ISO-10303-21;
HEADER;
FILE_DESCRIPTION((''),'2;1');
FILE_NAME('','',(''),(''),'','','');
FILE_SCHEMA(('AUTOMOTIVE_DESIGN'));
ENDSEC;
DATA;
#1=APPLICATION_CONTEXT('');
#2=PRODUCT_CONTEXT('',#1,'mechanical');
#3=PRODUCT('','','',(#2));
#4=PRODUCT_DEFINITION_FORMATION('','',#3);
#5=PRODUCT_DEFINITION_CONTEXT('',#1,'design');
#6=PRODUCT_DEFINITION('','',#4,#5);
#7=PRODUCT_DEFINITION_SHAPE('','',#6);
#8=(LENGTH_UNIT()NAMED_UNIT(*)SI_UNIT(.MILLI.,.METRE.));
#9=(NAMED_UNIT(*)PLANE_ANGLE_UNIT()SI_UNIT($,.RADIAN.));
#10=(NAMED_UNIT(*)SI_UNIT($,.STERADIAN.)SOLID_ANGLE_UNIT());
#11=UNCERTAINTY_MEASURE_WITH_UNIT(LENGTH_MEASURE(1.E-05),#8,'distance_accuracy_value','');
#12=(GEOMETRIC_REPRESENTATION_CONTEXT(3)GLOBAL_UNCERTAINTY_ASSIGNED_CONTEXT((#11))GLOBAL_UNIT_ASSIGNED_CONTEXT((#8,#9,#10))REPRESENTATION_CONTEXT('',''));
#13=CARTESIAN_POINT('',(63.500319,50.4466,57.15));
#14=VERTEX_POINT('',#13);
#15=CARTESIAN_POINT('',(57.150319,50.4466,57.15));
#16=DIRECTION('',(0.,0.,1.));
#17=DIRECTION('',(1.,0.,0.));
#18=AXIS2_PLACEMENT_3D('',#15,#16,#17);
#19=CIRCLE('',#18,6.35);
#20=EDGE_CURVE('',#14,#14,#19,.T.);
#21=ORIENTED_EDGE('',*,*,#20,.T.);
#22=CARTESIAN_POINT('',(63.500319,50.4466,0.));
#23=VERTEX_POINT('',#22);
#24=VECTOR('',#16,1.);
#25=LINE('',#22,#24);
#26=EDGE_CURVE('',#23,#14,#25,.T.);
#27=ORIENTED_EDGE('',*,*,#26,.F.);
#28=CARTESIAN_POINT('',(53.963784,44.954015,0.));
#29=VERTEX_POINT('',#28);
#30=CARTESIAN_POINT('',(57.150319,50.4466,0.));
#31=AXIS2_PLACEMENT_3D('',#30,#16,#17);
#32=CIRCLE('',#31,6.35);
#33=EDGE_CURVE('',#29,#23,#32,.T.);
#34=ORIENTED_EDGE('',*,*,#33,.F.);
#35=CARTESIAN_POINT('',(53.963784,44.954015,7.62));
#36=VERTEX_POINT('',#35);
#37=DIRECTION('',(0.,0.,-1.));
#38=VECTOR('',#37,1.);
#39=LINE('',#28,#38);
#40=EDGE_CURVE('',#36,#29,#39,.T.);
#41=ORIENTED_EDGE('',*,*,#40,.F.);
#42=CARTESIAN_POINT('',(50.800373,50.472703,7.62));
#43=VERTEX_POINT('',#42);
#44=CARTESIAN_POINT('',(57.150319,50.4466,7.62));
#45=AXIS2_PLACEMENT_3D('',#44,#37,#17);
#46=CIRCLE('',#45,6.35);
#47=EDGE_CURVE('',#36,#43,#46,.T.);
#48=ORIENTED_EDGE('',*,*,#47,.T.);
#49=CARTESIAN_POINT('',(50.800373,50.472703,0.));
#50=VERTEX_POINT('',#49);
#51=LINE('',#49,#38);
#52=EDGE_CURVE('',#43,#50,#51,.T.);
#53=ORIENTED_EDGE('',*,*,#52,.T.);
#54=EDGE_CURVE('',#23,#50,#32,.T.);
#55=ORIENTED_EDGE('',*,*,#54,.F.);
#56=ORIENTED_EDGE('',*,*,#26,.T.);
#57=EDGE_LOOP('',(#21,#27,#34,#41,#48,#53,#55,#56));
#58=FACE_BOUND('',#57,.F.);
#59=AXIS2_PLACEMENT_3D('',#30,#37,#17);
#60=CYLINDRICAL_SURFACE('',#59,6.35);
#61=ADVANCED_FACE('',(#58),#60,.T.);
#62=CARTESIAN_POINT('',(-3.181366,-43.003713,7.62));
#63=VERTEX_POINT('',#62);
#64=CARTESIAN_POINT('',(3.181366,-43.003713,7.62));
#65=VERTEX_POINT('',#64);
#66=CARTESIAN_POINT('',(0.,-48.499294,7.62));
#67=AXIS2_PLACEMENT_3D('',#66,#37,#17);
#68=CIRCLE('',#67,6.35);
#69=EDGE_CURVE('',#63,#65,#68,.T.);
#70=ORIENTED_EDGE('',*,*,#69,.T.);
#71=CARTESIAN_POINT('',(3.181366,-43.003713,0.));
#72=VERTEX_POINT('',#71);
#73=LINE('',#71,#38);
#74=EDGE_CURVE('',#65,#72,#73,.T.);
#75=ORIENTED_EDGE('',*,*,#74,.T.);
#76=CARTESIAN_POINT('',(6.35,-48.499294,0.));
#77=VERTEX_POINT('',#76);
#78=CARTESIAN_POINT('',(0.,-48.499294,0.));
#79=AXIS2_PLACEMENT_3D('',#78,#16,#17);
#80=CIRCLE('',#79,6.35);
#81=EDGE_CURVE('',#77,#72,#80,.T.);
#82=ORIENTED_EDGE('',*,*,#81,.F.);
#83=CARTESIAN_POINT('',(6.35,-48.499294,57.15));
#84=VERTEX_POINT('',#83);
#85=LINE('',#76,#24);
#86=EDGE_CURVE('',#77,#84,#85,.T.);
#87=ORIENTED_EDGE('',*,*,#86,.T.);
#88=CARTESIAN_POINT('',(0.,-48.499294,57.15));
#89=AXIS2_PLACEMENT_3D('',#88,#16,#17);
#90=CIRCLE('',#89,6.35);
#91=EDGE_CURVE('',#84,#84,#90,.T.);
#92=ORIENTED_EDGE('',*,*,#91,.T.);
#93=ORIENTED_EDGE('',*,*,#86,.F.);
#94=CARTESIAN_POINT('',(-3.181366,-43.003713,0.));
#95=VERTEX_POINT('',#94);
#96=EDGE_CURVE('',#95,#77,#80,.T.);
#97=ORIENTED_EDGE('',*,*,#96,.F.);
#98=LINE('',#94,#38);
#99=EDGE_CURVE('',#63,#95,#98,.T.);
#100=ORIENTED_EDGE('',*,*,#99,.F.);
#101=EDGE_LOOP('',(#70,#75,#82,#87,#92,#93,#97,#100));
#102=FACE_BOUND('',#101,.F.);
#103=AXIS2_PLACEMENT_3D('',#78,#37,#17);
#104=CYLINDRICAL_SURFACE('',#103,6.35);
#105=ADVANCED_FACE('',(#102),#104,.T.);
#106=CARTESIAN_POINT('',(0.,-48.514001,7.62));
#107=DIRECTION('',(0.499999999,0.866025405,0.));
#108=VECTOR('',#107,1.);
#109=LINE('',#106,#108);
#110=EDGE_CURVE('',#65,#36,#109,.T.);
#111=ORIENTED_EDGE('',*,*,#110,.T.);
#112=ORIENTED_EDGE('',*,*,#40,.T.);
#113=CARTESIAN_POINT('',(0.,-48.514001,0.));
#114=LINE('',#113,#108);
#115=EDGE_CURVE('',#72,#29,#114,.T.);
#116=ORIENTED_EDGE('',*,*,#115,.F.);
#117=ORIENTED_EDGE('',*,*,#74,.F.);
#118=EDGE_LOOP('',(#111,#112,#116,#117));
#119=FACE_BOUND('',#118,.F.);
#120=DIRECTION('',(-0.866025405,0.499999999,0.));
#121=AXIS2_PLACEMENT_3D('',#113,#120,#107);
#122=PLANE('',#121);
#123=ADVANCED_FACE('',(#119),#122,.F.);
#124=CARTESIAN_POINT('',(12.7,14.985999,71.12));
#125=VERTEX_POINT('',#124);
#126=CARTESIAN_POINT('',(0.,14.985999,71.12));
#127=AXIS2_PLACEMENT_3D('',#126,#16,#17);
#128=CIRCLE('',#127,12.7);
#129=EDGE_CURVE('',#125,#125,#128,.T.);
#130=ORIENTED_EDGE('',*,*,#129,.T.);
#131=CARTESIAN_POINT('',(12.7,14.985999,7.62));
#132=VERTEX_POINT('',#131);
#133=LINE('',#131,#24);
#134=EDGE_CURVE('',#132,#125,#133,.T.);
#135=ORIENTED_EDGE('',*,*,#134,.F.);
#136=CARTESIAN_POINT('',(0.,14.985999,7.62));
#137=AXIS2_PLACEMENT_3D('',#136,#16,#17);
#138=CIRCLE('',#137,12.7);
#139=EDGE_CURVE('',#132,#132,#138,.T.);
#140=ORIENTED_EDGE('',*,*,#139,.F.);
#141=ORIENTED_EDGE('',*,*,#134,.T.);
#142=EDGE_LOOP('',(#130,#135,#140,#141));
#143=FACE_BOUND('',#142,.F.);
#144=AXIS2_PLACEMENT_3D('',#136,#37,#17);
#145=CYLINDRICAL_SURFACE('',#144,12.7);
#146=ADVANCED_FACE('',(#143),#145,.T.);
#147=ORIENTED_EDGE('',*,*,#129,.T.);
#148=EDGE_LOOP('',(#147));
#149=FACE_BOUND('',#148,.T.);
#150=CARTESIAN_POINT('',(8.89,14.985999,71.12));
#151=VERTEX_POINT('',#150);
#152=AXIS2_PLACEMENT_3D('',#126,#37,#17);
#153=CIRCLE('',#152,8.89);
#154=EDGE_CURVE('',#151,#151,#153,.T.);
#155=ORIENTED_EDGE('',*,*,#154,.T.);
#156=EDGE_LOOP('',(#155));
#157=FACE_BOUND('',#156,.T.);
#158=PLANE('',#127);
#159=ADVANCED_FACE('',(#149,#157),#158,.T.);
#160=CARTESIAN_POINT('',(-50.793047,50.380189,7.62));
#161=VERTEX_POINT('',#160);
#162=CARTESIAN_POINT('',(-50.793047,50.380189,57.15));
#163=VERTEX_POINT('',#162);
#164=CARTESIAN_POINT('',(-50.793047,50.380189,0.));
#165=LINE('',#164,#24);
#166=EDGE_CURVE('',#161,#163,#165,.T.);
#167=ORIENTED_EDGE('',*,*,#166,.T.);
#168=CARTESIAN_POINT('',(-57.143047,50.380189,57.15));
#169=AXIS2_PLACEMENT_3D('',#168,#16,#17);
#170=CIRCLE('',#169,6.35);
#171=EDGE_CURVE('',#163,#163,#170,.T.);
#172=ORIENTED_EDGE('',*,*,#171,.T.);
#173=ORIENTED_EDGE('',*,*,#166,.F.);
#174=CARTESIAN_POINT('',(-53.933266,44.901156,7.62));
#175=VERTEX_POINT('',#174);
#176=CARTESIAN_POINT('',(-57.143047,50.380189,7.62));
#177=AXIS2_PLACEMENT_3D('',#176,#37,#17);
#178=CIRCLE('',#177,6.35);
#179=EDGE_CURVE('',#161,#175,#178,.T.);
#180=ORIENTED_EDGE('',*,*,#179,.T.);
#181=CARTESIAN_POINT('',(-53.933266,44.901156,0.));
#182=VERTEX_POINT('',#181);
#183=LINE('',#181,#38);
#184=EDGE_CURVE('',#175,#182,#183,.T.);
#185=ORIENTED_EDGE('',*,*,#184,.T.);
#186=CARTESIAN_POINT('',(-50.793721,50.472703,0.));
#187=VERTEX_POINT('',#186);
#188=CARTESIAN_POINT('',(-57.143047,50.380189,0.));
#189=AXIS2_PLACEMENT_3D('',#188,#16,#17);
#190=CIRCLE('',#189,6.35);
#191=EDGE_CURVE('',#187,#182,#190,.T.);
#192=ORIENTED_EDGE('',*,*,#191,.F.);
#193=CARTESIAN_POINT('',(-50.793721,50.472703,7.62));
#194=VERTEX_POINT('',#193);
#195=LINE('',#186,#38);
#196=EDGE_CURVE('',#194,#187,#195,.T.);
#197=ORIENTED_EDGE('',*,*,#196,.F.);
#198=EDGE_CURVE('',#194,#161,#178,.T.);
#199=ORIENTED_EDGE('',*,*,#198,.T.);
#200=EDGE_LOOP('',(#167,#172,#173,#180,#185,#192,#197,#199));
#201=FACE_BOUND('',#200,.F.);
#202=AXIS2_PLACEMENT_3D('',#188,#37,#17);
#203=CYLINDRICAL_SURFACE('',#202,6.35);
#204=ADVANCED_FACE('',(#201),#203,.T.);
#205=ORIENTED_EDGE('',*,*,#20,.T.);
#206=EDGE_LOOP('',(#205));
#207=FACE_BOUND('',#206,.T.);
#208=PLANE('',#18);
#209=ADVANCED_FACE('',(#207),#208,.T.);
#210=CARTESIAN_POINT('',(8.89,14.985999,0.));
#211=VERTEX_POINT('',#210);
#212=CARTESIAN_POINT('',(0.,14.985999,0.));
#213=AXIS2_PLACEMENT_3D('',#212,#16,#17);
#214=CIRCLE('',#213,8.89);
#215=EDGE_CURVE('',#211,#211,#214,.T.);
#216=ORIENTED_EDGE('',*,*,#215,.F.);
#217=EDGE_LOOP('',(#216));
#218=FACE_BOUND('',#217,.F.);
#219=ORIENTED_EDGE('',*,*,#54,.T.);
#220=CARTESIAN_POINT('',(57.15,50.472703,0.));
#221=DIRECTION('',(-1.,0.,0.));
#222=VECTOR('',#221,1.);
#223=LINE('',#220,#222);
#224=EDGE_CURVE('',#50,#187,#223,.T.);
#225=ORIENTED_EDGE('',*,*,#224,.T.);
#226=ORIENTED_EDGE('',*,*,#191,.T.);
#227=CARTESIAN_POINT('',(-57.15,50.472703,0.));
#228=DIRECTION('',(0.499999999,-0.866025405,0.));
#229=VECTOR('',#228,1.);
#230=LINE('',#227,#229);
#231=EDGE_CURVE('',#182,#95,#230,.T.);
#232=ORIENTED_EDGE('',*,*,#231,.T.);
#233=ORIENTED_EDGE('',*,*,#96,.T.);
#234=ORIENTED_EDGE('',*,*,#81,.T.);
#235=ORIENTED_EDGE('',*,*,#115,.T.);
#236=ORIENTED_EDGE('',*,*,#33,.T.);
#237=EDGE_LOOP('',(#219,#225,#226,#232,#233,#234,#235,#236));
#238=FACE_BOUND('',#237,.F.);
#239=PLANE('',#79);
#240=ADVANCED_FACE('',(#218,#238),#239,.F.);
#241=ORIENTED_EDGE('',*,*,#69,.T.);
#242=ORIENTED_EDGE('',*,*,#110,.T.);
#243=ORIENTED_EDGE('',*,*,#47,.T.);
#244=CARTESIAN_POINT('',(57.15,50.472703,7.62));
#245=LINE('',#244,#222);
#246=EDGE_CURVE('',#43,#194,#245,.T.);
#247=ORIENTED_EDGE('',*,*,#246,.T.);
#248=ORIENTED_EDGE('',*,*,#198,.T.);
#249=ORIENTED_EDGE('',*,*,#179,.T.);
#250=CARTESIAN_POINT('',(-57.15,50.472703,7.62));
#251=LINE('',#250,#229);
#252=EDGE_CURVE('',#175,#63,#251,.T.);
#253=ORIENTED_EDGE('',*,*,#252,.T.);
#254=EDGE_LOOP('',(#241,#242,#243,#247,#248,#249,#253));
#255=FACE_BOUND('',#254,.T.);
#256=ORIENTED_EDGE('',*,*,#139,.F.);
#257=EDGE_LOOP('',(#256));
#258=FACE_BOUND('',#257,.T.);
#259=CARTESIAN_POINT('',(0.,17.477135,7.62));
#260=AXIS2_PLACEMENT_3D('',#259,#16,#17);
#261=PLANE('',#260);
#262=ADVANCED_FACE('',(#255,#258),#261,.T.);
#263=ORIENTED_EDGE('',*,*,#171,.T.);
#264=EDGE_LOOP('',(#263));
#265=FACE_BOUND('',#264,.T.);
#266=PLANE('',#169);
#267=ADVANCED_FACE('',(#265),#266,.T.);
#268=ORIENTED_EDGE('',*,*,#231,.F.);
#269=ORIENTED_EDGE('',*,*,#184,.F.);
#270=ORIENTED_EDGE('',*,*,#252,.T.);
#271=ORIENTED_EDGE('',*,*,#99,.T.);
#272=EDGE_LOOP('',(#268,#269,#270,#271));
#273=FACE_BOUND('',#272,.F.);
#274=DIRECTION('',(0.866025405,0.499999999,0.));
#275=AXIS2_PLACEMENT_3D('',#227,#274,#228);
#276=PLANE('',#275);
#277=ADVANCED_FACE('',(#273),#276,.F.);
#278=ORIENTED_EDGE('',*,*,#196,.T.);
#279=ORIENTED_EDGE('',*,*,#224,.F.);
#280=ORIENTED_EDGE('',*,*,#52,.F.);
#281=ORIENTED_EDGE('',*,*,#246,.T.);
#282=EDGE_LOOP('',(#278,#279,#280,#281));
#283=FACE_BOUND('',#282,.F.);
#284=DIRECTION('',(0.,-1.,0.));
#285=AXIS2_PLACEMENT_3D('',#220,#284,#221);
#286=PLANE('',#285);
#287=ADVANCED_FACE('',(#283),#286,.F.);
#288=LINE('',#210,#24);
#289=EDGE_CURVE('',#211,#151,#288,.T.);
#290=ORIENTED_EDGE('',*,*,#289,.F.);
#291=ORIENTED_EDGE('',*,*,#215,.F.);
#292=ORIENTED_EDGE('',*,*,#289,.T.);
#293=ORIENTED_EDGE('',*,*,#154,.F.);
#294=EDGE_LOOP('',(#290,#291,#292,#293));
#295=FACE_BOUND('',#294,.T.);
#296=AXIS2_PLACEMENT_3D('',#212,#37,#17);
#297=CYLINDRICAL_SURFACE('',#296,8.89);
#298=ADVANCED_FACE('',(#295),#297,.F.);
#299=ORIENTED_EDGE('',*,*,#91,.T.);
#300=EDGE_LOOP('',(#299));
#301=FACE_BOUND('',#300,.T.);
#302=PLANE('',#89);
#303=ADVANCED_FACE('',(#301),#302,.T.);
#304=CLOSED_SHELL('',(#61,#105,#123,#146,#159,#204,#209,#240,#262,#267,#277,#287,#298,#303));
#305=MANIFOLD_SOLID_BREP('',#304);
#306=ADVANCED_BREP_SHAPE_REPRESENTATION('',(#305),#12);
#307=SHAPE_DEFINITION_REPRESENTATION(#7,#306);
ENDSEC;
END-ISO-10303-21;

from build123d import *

# Parameters (mm, degrees)
F1_DEPTH = 7.62
F2_R     = 12.7
F3_DEPTH = 63.5
F4_R     = 8.89
F5_DEPTH = 71.121
F6_R     = 6.35
F7_DEPTH = 57.15


with BuildPart() as f1:
    # F0 (on Top) → F1 (new body)
    with BuildSketch(Plane.XY):
        Polygon((-57.15, 50.472703), (0, -48.514001), (57.15, 50.472703), align=None)
    extrude(amount=F1_DEPTH)

    # F2 (on face) → F3 (join)
    with BuildSketch(Plane.XY.offset(7.62)):
        with Locations((0, 14.985999)):
            Circle(F2_R)
    extrude(amount=F3_DEPTH)

    # F4 (on Top) → F5 (cut, through all)
    with BuildSketch(Plane.XY):
        with Locations((0, 14.985999)):
            Circle(F4_R)
    extrude(amount=F5_DEPTH, mode=Mode.SUBTRACT)

    # F6 (on Top) → F7 (join)
    with BuildSketch(Plane.XY):
        with Locations((0, -48.499294)):
            Circle(F6_R)
        with Locations((-57.143047, 50.380189)):
            Circle(F6_R)
        with Locations((57.150319, 50.4466)):
            Circle(F6_R)
    extrude(amount=F7_DEPTH)


solid = f1.part
